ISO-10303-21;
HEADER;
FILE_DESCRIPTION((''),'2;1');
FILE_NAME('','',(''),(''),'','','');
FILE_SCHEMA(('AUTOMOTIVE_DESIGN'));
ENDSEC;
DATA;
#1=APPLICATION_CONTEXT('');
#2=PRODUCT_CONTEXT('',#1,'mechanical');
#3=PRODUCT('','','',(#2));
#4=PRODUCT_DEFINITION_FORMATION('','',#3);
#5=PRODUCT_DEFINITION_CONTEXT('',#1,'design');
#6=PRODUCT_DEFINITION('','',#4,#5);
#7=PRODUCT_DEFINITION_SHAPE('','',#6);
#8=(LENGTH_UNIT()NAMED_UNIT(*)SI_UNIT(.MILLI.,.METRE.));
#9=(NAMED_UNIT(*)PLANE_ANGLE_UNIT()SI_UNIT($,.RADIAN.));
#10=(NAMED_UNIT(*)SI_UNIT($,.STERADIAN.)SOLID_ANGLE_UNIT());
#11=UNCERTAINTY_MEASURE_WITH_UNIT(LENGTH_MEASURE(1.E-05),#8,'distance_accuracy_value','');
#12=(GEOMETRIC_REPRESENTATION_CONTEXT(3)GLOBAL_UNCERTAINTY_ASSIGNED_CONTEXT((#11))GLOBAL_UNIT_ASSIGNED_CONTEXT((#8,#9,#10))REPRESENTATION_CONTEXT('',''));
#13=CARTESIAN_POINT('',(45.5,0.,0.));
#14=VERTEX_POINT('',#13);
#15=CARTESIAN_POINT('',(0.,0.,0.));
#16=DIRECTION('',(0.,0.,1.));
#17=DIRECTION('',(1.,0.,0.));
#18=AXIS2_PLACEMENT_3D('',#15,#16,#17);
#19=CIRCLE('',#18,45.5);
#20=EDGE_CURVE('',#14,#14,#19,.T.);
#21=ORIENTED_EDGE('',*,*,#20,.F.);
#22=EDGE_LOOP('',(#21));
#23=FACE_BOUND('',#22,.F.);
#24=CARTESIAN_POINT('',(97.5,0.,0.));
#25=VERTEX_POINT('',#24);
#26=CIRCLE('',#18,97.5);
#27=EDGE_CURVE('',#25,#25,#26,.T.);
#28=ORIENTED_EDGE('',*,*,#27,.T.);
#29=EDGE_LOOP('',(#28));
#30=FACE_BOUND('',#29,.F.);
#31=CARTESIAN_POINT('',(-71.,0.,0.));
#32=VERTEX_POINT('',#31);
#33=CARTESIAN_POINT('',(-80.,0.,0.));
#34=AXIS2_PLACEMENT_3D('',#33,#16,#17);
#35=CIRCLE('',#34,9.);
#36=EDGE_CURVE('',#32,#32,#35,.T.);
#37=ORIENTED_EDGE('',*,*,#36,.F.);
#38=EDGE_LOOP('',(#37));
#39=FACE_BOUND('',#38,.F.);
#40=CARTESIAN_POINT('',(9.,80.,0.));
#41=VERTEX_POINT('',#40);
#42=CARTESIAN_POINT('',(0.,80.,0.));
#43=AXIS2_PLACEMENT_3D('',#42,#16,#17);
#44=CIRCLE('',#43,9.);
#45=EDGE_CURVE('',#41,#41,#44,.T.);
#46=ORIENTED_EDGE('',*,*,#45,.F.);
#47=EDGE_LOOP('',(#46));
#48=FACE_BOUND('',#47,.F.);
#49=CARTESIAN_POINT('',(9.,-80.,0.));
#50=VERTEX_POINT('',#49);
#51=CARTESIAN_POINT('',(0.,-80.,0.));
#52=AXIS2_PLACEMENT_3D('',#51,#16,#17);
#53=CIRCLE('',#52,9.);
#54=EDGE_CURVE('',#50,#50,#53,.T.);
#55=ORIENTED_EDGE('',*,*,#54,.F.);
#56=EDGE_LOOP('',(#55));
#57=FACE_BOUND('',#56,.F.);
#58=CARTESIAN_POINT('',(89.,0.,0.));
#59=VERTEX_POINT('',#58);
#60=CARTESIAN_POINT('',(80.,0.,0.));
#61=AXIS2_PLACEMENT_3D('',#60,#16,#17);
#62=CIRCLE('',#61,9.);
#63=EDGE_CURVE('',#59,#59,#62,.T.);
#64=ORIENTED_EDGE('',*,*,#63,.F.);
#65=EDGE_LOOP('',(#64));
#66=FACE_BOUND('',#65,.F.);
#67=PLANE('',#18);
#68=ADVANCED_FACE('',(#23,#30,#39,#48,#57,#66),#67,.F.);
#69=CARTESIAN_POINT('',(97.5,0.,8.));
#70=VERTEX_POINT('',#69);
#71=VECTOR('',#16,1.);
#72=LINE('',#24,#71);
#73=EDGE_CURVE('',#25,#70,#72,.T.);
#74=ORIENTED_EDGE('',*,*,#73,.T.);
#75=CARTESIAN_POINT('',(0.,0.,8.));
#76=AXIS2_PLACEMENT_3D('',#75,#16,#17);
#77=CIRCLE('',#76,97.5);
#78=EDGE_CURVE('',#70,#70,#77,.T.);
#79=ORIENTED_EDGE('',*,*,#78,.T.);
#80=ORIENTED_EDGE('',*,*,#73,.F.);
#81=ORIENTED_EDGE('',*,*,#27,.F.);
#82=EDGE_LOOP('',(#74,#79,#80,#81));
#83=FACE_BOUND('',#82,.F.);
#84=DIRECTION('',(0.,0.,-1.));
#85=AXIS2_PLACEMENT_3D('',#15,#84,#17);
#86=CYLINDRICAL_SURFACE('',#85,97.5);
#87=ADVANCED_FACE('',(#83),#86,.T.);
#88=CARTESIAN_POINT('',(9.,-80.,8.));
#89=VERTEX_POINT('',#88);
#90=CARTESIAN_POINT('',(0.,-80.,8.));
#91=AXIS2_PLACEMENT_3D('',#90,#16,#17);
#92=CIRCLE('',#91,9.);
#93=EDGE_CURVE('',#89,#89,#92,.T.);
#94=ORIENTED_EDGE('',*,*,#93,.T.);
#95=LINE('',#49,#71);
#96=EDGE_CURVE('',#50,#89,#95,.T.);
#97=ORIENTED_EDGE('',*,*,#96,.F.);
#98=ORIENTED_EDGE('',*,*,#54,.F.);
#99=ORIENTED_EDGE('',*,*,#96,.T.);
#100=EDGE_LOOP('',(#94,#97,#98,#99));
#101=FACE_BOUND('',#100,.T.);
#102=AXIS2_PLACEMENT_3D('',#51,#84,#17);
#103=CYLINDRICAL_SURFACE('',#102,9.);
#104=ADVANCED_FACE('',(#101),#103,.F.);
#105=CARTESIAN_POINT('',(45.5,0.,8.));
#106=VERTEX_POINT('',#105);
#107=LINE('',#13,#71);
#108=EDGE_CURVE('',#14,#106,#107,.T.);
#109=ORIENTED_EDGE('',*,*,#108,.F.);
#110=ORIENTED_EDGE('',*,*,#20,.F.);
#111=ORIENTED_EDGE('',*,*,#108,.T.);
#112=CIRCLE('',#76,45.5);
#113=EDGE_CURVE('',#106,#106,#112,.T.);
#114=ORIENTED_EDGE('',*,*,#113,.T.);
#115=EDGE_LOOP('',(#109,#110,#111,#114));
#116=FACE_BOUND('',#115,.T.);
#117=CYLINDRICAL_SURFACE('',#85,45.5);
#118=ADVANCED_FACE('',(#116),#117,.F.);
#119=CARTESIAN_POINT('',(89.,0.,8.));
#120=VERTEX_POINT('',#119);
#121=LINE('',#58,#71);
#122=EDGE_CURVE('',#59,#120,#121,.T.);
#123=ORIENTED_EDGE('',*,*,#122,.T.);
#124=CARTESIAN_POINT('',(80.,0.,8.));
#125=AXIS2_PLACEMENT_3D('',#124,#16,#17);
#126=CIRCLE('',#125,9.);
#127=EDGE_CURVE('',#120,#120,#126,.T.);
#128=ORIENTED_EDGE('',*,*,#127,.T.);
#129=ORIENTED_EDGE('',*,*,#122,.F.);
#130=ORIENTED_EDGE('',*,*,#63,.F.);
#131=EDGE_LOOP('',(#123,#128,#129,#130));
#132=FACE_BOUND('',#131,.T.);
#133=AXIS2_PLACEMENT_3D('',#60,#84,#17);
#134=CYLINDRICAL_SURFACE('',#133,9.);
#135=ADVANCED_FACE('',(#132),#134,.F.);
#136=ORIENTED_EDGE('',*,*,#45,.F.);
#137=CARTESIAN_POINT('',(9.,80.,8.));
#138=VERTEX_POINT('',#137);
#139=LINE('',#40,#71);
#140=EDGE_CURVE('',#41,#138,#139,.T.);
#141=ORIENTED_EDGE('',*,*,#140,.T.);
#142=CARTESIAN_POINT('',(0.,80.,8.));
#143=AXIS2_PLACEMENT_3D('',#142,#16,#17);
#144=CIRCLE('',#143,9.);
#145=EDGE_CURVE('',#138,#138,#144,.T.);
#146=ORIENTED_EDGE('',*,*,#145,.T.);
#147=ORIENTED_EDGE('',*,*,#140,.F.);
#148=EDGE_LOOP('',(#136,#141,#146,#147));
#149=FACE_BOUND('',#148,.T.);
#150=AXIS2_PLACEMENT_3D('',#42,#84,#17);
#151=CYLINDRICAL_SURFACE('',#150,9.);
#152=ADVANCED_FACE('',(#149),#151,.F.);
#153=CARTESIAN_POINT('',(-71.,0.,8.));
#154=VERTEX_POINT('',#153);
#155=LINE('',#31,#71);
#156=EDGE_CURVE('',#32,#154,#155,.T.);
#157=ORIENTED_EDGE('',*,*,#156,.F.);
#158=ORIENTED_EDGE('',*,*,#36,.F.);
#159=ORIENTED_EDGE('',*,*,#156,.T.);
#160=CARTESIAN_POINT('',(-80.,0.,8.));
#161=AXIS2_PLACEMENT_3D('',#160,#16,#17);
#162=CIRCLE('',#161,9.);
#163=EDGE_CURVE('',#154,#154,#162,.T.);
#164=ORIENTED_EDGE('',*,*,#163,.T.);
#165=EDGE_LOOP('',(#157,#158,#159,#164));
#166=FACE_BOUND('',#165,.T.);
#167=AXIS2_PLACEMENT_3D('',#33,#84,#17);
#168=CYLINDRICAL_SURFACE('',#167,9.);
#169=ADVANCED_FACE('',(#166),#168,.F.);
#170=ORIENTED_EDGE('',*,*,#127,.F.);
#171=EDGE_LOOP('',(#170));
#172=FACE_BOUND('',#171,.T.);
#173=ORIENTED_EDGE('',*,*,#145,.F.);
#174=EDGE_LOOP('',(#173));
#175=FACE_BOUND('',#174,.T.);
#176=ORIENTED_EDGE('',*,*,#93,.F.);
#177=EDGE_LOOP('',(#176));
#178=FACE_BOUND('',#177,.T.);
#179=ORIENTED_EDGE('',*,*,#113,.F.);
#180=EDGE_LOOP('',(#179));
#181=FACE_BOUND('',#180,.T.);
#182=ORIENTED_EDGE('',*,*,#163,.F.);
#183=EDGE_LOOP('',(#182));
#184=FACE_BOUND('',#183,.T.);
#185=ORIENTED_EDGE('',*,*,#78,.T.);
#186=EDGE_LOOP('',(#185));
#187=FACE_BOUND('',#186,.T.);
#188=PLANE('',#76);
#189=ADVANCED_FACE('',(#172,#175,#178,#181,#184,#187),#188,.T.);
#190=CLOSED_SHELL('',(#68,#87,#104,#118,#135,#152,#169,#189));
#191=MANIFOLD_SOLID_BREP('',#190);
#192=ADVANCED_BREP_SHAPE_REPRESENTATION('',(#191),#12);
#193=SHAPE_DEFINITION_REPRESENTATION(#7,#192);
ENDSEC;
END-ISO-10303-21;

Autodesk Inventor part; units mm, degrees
ref_plane "YZ Plane" through (0, 0, 0) normal (1, 0, 0) x (0, 1, 0)
ref_plane "XZ Plane" through (0, 0, 0) normal (0, 1, 0) x (-1, 0, 0)
ref_plane "XY Plane" through (0, 0, 0) normal (0, 0, 1) x (1, 0, 0)
sketch "Sketch2" plane through (0, 0, 0) normal (0, 0, 1) x (1, 0, 0)
  circle A0 centre (0, 0) radius 45.5
  circle A1 centre (0, 0) radius 97.5
  circle A2 centre (0, 0) radius 80 construction
  circle A3 centre (80, 0) radius 9
  circle A4 centre (0, 80) radius 9
  circle A5 centre (-80, 0) radius 9
  circle A6 centre (0, -80) radius 9
  dimension "D_b_c" = 160
  dimension "D_min" = 91
  dimension "D_max" = 195
  dimension "Blt_hl" = 18
  dimension "d33" = 360
extrude "Plate2" add sketch "Sketch2" along normal blind 8
equation "\"d14\" = Thickness"
equation "\"BendReliefWidth\" = Thickness"
equation "\"BendReliefDepth\" = 0.5 * Thickness"
equation "\"CornerReliefSize\" = 4 * Thickness"
equation "\"MinimumRemnant\" = 2 * Thickness"
equation "\"TransitionRadius\" = BendRadius"
equation "\"JacobiRadiusSize\" = BendRadius"
equation "\"GapSize\" = Thickness"
equation "\"Thickness\" = 8"
equation "\"BendRadius\" = 6"
properties part number "PRS 1200-33 charging blind flange" material "Steel"
